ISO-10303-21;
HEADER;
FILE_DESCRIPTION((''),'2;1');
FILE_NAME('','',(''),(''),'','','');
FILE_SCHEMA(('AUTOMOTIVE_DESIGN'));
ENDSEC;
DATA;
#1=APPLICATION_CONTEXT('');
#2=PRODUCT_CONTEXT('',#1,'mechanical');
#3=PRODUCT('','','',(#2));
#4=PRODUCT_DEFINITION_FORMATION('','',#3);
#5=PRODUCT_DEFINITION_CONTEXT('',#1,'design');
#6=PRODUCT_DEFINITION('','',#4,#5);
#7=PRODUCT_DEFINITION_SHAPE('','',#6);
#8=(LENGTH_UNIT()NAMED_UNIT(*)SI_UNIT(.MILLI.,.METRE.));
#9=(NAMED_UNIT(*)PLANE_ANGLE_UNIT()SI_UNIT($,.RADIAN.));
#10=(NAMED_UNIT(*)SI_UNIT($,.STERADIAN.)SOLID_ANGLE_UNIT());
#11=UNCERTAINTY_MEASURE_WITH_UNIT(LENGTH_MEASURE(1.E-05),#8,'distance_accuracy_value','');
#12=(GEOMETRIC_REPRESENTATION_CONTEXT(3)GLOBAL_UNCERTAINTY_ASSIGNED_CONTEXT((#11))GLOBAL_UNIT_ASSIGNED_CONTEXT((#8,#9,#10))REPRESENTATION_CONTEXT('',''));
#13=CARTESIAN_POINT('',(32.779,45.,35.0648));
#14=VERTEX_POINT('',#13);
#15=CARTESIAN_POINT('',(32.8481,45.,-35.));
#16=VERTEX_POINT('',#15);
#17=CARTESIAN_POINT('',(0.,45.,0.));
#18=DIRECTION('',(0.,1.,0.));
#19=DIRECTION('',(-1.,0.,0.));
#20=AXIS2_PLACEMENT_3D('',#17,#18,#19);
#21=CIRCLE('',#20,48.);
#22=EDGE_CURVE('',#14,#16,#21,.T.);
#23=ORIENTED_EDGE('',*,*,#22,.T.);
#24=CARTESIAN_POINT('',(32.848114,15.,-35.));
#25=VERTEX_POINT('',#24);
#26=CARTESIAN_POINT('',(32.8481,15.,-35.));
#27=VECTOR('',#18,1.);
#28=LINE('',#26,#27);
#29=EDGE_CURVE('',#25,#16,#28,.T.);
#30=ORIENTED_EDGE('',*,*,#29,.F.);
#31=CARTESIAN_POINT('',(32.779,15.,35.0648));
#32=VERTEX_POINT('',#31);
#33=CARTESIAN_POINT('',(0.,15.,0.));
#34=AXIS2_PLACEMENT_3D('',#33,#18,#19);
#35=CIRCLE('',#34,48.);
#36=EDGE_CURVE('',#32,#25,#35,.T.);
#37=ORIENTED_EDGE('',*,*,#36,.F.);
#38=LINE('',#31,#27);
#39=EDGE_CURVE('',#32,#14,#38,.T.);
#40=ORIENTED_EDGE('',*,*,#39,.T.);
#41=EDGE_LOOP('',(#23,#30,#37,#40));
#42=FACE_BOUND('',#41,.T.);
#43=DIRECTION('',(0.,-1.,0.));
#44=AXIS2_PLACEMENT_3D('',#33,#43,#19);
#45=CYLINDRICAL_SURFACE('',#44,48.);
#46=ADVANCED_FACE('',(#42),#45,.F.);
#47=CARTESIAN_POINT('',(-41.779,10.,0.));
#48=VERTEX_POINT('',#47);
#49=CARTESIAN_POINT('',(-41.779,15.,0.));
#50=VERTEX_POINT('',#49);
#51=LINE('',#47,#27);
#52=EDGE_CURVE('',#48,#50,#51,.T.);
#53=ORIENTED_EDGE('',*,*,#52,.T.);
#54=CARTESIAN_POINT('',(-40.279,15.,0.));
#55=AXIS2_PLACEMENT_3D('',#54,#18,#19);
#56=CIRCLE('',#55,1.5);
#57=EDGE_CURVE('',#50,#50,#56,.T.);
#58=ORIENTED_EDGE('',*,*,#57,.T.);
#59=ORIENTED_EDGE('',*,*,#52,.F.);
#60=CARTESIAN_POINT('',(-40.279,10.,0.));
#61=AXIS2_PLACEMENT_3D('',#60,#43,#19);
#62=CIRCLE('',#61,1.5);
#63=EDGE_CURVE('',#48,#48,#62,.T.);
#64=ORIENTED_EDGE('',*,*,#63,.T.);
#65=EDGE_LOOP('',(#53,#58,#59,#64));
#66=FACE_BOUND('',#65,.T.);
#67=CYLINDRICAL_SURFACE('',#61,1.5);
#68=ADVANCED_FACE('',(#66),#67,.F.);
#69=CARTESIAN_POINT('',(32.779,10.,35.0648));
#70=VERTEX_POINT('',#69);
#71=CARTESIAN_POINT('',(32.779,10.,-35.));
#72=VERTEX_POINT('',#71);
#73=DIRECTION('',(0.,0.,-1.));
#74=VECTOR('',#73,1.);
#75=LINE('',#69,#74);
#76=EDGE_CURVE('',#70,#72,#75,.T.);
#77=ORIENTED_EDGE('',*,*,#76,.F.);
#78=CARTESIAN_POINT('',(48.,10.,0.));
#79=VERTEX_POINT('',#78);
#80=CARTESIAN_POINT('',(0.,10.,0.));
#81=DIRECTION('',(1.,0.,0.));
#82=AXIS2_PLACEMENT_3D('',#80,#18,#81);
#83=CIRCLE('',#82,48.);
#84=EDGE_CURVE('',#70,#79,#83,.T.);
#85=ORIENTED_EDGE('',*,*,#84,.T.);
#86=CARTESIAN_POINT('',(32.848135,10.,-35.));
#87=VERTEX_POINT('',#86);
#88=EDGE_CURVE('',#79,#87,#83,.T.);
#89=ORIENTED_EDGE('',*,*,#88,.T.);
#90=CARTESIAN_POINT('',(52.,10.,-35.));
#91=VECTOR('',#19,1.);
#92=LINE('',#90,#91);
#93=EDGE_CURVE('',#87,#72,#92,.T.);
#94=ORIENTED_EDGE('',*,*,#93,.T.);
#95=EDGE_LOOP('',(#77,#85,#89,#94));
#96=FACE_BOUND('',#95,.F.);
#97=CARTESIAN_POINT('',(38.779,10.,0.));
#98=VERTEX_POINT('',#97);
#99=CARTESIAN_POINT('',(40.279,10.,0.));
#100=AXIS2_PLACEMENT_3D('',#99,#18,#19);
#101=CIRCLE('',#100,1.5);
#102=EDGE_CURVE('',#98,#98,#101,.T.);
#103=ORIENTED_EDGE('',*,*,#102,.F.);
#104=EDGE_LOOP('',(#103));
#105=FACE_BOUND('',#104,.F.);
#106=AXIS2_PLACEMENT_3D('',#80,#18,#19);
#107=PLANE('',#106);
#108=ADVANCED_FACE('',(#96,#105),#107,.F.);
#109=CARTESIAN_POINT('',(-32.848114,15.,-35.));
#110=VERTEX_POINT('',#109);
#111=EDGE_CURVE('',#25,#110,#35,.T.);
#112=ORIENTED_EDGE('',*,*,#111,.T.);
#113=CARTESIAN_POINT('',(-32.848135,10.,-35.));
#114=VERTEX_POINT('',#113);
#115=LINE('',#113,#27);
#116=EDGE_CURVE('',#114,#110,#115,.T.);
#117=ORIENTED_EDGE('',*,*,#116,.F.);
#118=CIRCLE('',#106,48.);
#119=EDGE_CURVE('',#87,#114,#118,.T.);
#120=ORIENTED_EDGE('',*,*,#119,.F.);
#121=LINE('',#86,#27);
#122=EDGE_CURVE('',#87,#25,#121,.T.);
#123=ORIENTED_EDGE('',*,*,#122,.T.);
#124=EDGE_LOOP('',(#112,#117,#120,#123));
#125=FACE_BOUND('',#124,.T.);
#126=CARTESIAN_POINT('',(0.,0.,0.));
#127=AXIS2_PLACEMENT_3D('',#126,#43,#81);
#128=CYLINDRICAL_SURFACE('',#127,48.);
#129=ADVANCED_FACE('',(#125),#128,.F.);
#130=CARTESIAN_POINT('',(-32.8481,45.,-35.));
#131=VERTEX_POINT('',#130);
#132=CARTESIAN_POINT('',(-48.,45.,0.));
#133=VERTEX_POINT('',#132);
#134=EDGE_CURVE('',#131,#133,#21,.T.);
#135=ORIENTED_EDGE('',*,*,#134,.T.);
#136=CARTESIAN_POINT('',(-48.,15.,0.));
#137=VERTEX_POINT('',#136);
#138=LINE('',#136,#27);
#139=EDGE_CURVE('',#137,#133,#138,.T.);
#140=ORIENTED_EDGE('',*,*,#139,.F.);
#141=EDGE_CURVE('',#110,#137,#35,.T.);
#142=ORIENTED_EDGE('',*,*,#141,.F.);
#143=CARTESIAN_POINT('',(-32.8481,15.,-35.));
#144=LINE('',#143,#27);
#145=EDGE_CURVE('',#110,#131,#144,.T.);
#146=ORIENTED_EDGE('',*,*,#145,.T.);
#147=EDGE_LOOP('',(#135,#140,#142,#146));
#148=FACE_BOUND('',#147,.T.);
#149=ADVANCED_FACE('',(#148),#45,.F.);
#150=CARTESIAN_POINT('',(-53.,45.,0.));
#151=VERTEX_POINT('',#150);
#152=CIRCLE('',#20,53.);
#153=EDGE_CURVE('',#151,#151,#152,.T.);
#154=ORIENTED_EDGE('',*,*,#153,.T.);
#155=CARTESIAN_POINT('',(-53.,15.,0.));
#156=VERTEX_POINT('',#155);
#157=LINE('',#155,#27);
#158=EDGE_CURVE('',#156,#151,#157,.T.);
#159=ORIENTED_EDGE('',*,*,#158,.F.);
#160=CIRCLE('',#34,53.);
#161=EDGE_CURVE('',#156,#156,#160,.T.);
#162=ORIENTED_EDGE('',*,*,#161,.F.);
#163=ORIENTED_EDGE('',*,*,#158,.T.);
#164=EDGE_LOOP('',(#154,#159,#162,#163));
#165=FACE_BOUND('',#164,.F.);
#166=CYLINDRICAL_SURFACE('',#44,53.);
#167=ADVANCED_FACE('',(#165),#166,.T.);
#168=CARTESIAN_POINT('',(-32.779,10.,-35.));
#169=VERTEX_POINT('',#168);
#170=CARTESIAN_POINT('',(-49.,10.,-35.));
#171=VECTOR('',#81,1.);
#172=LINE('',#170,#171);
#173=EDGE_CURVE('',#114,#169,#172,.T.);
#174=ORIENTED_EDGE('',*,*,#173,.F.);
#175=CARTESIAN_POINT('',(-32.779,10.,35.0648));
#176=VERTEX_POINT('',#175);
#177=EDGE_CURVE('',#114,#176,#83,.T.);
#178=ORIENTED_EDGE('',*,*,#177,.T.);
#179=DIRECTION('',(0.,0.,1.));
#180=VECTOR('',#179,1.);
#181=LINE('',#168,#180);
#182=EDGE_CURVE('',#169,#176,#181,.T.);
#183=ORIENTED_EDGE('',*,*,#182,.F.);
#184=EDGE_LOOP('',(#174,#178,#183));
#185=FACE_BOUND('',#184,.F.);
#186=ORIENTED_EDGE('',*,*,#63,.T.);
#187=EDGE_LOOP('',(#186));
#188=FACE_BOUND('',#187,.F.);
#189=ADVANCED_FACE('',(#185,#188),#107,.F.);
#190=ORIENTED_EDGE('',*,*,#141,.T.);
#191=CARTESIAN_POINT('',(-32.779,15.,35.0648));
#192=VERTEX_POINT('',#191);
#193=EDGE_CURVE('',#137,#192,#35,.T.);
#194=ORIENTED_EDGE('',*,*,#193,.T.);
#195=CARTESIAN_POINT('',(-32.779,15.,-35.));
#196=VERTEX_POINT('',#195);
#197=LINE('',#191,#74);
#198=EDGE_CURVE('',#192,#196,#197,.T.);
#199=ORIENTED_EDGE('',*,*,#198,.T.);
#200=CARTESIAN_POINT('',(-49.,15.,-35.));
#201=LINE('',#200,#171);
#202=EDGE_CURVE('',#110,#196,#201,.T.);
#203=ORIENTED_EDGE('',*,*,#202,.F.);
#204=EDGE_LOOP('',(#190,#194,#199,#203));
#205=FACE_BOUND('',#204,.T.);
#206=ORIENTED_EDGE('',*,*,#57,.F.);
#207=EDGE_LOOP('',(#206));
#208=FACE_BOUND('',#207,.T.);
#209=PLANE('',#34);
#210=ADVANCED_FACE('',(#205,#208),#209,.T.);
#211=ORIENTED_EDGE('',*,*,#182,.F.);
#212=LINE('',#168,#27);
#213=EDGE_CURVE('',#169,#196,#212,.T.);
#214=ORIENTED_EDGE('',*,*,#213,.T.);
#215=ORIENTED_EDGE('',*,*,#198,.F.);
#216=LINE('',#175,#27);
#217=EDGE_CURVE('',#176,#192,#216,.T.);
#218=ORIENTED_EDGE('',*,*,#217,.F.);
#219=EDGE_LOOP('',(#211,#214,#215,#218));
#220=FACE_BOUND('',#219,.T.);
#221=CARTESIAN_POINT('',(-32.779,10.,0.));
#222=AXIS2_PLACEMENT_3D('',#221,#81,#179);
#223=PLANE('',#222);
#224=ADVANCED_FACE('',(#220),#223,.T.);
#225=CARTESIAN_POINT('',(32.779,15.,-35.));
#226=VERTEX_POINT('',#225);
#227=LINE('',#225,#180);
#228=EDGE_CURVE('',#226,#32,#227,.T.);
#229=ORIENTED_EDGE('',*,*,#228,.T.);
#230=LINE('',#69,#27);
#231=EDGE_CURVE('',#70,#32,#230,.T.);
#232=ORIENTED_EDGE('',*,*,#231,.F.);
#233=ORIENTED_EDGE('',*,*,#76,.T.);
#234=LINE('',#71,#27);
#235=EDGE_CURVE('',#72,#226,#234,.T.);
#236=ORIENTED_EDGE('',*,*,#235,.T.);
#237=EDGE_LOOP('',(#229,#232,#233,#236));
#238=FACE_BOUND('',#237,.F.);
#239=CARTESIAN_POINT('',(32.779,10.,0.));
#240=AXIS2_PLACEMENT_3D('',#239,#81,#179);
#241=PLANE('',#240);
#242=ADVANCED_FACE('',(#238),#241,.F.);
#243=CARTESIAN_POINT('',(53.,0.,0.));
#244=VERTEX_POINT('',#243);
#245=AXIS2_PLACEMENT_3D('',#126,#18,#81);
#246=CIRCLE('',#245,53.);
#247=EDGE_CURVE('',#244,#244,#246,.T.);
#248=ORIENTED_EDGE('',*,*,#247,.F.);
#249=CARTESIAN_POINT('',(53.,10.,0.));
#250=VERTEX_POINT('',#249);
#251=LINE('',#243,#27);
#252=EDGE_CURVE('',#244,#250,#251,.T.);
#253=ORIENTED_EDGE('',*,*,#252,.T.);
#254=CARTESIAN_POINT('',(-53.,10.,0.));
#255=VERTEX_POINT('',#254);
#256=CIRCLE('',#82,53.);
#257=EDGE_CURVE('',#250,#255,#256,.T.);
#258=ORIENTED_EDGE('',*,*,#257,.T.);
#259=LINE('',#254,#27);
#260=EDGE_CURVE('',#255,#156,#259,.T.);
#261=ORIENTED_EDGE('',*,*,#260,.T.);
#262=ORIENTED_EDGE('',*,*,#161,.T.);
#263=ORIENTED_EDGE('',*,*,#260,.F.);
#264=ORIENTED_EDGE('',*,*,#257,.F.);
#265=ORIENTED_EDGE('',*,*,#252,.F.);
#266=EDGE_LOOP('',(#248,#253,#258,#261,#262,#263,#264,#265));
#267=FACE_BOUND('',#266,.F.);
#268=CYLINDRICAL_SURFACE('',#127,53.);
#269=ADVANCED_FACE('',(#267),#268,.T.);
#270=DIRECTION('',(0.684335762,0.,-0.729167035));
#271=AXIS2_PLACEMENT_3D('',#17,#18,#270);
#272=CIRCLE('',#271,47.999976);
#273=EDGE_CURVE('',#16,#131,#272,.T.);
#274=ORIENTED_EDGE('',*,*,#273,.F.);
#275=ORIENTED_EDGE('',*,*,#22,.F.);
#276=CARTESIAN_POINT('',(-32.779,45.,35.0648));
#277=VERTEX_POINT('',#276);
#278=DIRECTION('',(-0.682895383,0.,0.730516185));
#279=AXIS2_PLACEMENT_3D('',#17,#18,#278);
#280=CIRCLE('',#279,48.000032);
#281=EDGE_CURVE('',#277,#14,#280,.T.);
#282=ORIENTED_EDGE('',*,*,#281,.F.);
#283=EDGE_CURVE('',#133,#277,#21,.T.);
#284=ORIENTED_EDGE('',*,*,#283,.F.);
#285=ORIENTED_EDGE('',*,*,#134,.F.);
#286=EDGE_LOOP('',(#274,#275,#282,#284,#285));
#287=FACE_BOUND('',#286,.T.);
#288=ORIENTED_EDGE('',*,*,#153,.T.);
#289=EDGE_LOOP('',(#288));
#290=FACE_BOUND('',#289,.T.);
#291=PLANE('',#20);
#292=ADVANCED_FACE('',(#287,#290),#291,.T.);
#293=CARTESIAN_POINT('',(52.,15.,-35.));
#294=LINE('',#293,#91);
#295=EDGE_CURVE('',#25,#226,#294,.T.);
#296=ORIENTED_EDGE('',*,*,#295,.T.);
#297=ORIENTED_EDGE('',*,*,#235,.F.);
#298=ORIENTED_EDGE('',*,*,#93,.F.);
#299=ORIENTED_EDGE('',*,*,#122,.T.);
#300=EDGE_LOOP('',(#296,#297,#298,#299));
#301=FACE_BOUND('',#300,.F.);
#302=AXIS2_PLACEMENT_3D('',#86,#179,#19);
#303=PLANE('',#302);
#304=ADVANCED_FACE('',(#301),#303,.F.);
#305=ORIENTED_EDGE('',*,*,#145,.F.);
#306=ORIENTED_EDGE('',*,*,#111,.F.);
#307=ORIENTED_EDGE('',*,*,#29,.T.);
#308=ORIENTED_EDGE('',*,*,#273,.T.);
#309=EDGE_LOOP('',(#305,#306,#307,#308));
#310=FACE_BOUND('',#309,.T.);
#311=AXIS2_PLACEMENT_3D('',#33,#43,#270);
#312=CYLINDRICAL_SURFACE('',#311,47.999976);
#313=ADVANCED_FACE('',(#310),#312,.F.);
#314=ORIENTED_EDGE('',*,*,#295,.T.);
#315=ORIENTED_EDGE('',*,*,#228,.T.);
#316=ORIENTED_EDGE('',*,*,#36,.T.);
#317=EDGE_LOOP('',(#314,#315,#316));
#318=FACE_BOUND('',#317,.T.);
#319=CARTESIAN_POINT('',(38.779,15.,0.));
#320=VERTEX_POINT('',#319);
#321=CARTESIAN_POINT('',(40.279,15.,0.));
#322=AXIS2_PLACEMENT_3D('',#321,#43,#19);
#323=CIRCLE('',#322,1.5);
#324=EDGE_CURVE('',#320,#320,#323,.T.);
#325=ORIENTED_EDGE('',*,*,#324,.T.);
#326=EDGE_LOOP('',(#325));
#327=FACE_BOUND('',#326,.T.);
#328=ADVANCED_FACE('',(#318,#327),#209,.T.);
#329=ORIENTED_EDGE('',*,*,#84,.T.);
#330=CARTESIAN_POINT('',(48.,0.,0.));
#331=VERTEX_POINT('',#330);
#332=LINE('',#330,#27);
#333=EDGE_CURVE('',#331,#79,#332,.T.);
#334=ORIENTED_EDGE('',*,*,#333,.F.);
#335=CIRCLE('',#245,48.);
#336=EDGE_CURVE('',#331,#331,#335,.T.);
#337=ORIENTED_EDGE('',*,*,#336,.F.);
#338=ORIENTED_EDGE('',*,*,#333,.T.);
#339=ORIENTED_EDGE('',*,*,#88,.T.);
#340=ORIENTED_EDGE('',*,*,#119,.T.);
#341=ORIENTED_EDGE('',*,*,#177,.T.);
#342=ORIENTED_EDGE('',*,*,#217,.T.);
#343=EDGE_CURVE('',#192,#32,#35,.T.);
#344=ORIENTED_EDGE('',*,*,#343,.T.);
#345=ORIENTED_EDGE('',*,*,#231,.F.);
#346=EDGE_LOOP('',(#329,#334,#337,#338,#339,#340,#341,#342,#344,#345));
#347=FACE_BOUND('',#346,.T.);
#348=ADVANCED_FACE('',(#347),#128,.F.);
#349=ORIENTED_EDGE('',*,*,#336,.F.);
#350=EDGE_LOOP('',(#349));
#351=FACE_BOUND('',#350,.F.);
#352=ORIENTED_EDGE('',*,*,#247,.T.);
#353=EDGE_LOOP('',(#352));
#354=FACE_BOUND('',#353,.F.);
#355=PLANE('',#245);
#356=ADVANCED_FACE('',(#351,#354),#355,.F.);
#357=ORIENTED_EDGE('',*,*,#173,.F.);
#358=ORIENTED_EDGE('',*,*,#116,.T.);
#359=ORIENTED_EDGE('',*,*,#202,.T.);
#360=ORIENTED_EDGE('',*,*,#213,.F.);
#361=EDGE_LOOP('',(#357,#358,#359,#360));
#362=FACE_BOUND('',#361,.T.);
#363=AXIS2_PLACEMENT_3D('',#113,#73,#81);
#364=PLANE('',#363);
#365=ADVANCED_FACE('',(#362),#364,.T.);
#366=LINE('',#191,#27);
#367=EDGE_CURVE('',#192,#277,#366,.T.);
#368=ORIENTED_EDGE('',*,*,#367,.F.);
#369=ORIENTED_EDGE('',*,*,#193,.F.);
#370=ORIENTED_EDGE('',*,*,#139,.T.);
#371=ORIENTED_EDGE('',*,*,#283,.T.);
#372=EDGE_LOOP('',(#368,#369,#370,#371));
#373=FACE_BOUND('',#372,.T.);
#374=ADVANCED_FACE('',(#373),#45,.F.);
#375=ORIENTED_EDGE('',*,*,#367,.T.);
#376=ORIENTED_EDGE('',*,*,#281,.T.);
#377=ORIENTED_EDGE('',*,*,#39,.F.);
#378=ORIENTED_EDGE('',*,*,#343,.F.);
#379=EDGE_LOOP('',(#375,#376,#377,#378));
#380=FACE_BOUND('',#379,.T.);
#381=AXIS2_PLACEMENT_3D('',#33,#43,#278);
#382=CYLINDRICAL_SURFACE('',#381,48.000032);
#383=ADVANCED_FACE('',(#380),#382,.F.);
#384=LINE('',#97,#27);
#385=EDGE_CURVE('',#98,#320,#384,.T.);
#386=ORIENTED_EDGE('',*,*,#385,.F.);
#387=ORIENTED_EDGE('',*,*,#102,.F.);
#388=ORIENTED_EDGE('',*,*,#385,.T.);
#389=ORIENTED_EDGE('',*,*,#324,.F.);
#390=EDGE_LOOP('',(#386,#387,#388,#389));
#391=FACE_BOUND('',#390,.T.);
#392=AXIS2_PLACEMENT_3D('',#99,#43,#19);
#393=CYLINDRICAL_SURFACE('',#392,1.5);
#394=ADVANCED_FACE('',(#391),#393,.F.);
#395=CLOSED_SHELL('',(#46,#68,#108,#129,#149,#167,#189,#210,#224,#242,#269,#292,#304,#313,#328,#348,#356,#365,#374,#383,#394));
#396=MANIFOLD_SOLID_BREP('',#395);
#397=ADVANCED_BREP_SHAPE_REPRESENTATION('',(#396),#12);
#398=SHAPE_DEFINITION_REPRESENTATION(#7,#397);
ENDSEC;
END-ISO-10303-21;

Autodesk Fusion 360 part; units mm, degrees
sketch "Sketch1" plane through (0, 0, 0) normal (0, 1, 0) x (1, 0, 0)
  circle A0 centre (0, 0) radius 48
  circle A1 centre (0, 0) radius 53
  dimension "d1" = 96
  dimension "d2" = 106
extrude "Extrude4" add sketch "Sketch1" along normal blind 10
sketch "Sketch4" plane through (0, 10, 0) normal (0, 1, 0) x (-1, 0, 0)
  circle A0 centre (0, 0) radius 48
  circle A1 centre (0, 0) radius 53
  line L0 (48, 0) -> (41.779, 0)
  line L1 (48, 0) -> (32.779, 0)
  circle A2 centre (40.279, 0) radius 1.5
  line L2 (-48, 0) -> (-32.779, 0)
  line L3 (-48, 0) -> (-41.779, 0)
  circle A3 centre (-40.279, 0) radius 1.5
  line L4 (32.779, 35.0648) -> (49, 35.0648)
  line L5 (49, 35.0648) -> (49, -35)
  line L6 (49, -35) -> (32.779, -35)
  line L7 (32.779, -35) -> (32.779, 35.0648)
  line L8 (-32.779, 35.0648) -> (-52, 35.0648)
  line L9 (-52, 35.0648) -> (-52, -35)
  line L10 (-52, -35) -> (-32.779, -35)
  line L11 (-32.779, -35) -> (-32.779, 35.0648)
  dimension "d13" = 6.221
  dimension "d14" = 15.221
  dimension "d15" = 3
  dimension "d16" = 15.221
  dimension "d17" = 6.221
  dimension "d18" = 3
extrude "Extrude5" add sketch "Sketch4" along normal blind 5 contours A0 L0 L1 A2 L7 | A0 A1 L4 L5 L6 | A0 L0 L1 A2 L6 L7 | A0 A1 L4 L8 | A0 A1 L6 L10 | A0 L2 L3 A3 L11 | A0 A1 L8 L9 L10 | A0 L2 L3 A3 L10 L11 | A1 L5 | A1 L9
sketch "Sketch5" plane through (0, 15, 0) normal (0, 1, 0) x (-1, 0, 0)
  circle A0 centre (40.279, 0) radius 1.5
  arc A1 (-32.8481, -35) -> (32.8481, -35) centre (0, 0) ccw
  line L0 (-32.8481, -35) -> (-32.779, -35)
  line L1 (-32.779, -35) -> (-32.779, 35.0648)
  arc A2 (32.779, 35.0648) -> (-32.779, 35.0648) centre (0, 0) ccw
  line L2 (32.779, 35.0648) -> (32.779, -35)
  line L3 (32.779, -35) -> (32.8481, -35)
  circle A3 centre (-40.279, 0) radius 1.5
  circle A4 centre (0, 0) radius 53
  circle A5 centre (0, 0) radius 48
extrude "Extrude6" add sketch "Sketch5" along normal blind 30 contours A4
thread "Thread1" thread offset 0 thread length 10
